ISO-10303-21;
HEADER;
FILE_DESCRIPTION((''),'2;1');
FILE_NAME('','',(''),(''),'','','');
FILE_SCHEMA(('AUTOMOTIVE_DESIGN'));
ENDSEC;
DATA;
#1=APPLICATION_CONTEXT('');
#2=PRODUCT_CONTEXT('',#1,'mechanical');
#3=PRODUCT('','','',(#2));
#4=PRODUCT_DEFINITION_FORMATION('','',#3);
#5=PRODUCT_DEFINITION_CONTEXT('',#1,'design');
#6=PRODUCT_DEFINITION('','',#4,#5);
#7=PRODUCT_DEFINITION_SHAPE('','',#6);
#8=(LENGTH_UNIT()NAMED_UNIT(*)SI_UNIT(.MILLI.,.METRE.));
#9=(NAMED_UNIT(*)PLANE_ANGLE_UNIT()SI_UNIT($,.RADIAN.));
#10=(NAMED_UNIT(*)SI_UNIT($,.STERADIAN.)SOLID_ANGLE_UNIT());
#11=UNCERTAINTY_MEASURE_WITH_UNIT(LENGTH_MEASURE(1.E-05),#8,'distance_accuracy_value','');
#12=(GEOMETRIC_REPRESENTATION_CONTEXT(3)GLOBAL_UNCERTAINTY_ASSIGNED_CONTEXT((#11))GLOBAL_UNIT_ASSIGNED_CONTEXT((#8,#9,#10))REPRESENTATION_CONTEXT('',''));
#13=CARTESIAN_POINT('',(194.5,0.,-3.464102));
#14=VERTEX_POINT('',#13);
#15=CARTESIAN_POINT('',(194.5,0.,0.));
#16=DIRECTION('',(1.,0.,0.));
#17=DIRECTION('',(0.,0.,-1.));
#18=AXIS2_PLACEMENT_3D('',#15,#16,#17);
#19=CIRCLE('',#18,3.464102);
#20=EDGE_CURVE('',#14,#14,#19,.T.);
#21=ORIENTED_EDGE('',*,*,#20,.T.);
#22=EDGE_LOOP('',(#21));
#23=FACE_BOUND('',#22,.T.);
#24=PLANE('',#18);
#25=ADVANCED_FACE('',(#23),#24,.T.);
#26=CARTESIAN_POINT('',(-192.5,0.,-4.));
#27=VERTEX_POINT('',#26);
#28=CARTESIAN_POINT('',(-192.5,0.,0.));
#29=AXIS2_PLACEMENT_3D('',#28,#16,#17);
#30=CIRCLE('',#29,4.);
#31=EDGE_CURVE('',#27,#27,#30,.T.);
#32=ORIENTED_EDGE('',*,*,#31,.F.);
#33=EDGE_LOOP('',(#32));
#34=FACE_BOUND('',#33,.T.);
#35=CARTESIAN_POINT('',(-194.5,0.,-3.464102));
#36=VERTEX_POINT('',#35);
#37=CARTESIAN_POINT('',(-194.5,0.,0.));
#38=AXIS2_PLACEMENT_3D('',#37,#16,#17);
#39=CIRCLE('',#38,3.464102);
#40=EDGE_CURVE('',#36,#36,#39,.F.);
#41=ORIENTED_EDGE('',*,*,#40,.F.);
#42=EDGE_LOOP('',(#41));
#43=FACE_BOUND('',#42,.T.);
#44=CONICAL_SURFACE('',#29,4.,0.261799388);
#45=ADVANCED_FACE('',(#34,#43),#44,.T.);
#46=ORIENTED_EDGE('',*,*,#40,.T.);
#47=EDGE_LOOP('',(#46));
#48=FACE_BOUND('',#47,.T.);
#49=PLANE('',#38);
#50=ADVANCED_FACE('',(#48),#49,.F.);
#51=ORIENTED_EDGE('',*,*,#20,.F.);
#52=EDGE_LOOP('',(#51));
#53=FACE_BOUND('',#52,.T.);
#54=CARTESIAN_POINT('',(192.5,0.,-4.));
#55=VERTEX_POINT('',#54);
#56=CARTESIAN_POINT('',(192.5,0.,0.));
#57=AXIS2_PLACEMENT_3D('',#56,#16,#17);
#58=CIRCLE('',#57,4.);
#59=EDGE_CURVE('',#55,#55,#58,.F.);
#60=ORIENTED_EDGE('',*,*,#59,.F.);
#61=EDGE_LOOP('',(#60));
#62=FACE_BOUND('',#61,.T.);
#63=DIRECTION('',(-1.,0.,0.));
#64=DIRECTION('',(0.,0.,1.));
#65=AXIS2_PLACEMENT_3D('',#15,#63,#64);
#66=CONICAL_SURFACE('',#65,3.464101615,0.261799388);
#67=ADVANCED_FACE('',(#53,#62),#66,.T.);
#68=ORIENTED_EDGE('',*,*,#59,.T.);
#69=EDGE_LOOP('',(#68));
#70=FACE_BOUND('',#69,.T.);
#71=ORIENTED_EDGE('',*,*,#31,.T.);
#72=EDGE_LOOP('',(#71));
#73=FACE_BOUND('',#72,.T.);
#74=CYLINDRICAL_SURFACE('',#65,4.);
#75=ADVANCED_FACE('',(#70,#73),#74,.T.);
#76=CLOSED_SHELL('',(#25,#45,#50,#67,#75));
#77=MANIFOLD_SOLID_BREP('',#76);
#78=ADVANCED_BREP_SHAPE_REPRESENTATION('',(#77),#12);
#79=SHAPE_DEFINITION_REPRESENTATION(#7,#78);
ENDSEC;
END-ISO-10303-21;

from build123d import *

# Parameters (mm, degrees)
SKETCH1_R           = 4
BOSS_EXTRUDE1_DEPTH = 194.5
CHAMFER3_SIZE       = 2
CHAMFER3_SIZE2      = 0.535898385
CHAMFER4_SIZE       = 2
CHAMFER4_SIZE2      = 0.535898385


with BuildPart() as part:
    # Sketch1 → Boss-Extrude1 (new body, symmetric)
    with BuildSketch(Plane(origin=(0, 0, 0), x_dir=(0, 0, -1), z_dir=(1, 0, 0))):
        Circle(SKETCH1_R)
    extrude(amount=BOSS_EXTRUDE1_DEPTH, both=True)

    # Chamfer3
    chamfer3_edges = [part.edges().sort_by_distance(p)[0] for p in [
        (194.5, 0, 4),
    ]]
    chamfer3_side = [part.faces().sort_by_distance(p)[0] for p in [
        (0, 0, 4),
    ]]
    chamfer(chamfer3_edges, length=CHAMFER3_SIZE, length2=CHAMFER3_SIZE2, reference=chamfer3_side[0])

    # Chamfer4
    chamfer4_edges = [part.edges().sort_by_distance(p)[0] for p in [
        (-194.5, 0, 4),
    ]]
    chamfer4_side = [part.faces().sort_by_distance(p)[0] for p in [
        (-1, 0, 4),
    ]]
    chamfer(chamfer4_edges, length=CHAMFER4_SIZE, length2=CHAMFER4_SIZE2, reference=chamfer4_side[0])


solid = part.part
